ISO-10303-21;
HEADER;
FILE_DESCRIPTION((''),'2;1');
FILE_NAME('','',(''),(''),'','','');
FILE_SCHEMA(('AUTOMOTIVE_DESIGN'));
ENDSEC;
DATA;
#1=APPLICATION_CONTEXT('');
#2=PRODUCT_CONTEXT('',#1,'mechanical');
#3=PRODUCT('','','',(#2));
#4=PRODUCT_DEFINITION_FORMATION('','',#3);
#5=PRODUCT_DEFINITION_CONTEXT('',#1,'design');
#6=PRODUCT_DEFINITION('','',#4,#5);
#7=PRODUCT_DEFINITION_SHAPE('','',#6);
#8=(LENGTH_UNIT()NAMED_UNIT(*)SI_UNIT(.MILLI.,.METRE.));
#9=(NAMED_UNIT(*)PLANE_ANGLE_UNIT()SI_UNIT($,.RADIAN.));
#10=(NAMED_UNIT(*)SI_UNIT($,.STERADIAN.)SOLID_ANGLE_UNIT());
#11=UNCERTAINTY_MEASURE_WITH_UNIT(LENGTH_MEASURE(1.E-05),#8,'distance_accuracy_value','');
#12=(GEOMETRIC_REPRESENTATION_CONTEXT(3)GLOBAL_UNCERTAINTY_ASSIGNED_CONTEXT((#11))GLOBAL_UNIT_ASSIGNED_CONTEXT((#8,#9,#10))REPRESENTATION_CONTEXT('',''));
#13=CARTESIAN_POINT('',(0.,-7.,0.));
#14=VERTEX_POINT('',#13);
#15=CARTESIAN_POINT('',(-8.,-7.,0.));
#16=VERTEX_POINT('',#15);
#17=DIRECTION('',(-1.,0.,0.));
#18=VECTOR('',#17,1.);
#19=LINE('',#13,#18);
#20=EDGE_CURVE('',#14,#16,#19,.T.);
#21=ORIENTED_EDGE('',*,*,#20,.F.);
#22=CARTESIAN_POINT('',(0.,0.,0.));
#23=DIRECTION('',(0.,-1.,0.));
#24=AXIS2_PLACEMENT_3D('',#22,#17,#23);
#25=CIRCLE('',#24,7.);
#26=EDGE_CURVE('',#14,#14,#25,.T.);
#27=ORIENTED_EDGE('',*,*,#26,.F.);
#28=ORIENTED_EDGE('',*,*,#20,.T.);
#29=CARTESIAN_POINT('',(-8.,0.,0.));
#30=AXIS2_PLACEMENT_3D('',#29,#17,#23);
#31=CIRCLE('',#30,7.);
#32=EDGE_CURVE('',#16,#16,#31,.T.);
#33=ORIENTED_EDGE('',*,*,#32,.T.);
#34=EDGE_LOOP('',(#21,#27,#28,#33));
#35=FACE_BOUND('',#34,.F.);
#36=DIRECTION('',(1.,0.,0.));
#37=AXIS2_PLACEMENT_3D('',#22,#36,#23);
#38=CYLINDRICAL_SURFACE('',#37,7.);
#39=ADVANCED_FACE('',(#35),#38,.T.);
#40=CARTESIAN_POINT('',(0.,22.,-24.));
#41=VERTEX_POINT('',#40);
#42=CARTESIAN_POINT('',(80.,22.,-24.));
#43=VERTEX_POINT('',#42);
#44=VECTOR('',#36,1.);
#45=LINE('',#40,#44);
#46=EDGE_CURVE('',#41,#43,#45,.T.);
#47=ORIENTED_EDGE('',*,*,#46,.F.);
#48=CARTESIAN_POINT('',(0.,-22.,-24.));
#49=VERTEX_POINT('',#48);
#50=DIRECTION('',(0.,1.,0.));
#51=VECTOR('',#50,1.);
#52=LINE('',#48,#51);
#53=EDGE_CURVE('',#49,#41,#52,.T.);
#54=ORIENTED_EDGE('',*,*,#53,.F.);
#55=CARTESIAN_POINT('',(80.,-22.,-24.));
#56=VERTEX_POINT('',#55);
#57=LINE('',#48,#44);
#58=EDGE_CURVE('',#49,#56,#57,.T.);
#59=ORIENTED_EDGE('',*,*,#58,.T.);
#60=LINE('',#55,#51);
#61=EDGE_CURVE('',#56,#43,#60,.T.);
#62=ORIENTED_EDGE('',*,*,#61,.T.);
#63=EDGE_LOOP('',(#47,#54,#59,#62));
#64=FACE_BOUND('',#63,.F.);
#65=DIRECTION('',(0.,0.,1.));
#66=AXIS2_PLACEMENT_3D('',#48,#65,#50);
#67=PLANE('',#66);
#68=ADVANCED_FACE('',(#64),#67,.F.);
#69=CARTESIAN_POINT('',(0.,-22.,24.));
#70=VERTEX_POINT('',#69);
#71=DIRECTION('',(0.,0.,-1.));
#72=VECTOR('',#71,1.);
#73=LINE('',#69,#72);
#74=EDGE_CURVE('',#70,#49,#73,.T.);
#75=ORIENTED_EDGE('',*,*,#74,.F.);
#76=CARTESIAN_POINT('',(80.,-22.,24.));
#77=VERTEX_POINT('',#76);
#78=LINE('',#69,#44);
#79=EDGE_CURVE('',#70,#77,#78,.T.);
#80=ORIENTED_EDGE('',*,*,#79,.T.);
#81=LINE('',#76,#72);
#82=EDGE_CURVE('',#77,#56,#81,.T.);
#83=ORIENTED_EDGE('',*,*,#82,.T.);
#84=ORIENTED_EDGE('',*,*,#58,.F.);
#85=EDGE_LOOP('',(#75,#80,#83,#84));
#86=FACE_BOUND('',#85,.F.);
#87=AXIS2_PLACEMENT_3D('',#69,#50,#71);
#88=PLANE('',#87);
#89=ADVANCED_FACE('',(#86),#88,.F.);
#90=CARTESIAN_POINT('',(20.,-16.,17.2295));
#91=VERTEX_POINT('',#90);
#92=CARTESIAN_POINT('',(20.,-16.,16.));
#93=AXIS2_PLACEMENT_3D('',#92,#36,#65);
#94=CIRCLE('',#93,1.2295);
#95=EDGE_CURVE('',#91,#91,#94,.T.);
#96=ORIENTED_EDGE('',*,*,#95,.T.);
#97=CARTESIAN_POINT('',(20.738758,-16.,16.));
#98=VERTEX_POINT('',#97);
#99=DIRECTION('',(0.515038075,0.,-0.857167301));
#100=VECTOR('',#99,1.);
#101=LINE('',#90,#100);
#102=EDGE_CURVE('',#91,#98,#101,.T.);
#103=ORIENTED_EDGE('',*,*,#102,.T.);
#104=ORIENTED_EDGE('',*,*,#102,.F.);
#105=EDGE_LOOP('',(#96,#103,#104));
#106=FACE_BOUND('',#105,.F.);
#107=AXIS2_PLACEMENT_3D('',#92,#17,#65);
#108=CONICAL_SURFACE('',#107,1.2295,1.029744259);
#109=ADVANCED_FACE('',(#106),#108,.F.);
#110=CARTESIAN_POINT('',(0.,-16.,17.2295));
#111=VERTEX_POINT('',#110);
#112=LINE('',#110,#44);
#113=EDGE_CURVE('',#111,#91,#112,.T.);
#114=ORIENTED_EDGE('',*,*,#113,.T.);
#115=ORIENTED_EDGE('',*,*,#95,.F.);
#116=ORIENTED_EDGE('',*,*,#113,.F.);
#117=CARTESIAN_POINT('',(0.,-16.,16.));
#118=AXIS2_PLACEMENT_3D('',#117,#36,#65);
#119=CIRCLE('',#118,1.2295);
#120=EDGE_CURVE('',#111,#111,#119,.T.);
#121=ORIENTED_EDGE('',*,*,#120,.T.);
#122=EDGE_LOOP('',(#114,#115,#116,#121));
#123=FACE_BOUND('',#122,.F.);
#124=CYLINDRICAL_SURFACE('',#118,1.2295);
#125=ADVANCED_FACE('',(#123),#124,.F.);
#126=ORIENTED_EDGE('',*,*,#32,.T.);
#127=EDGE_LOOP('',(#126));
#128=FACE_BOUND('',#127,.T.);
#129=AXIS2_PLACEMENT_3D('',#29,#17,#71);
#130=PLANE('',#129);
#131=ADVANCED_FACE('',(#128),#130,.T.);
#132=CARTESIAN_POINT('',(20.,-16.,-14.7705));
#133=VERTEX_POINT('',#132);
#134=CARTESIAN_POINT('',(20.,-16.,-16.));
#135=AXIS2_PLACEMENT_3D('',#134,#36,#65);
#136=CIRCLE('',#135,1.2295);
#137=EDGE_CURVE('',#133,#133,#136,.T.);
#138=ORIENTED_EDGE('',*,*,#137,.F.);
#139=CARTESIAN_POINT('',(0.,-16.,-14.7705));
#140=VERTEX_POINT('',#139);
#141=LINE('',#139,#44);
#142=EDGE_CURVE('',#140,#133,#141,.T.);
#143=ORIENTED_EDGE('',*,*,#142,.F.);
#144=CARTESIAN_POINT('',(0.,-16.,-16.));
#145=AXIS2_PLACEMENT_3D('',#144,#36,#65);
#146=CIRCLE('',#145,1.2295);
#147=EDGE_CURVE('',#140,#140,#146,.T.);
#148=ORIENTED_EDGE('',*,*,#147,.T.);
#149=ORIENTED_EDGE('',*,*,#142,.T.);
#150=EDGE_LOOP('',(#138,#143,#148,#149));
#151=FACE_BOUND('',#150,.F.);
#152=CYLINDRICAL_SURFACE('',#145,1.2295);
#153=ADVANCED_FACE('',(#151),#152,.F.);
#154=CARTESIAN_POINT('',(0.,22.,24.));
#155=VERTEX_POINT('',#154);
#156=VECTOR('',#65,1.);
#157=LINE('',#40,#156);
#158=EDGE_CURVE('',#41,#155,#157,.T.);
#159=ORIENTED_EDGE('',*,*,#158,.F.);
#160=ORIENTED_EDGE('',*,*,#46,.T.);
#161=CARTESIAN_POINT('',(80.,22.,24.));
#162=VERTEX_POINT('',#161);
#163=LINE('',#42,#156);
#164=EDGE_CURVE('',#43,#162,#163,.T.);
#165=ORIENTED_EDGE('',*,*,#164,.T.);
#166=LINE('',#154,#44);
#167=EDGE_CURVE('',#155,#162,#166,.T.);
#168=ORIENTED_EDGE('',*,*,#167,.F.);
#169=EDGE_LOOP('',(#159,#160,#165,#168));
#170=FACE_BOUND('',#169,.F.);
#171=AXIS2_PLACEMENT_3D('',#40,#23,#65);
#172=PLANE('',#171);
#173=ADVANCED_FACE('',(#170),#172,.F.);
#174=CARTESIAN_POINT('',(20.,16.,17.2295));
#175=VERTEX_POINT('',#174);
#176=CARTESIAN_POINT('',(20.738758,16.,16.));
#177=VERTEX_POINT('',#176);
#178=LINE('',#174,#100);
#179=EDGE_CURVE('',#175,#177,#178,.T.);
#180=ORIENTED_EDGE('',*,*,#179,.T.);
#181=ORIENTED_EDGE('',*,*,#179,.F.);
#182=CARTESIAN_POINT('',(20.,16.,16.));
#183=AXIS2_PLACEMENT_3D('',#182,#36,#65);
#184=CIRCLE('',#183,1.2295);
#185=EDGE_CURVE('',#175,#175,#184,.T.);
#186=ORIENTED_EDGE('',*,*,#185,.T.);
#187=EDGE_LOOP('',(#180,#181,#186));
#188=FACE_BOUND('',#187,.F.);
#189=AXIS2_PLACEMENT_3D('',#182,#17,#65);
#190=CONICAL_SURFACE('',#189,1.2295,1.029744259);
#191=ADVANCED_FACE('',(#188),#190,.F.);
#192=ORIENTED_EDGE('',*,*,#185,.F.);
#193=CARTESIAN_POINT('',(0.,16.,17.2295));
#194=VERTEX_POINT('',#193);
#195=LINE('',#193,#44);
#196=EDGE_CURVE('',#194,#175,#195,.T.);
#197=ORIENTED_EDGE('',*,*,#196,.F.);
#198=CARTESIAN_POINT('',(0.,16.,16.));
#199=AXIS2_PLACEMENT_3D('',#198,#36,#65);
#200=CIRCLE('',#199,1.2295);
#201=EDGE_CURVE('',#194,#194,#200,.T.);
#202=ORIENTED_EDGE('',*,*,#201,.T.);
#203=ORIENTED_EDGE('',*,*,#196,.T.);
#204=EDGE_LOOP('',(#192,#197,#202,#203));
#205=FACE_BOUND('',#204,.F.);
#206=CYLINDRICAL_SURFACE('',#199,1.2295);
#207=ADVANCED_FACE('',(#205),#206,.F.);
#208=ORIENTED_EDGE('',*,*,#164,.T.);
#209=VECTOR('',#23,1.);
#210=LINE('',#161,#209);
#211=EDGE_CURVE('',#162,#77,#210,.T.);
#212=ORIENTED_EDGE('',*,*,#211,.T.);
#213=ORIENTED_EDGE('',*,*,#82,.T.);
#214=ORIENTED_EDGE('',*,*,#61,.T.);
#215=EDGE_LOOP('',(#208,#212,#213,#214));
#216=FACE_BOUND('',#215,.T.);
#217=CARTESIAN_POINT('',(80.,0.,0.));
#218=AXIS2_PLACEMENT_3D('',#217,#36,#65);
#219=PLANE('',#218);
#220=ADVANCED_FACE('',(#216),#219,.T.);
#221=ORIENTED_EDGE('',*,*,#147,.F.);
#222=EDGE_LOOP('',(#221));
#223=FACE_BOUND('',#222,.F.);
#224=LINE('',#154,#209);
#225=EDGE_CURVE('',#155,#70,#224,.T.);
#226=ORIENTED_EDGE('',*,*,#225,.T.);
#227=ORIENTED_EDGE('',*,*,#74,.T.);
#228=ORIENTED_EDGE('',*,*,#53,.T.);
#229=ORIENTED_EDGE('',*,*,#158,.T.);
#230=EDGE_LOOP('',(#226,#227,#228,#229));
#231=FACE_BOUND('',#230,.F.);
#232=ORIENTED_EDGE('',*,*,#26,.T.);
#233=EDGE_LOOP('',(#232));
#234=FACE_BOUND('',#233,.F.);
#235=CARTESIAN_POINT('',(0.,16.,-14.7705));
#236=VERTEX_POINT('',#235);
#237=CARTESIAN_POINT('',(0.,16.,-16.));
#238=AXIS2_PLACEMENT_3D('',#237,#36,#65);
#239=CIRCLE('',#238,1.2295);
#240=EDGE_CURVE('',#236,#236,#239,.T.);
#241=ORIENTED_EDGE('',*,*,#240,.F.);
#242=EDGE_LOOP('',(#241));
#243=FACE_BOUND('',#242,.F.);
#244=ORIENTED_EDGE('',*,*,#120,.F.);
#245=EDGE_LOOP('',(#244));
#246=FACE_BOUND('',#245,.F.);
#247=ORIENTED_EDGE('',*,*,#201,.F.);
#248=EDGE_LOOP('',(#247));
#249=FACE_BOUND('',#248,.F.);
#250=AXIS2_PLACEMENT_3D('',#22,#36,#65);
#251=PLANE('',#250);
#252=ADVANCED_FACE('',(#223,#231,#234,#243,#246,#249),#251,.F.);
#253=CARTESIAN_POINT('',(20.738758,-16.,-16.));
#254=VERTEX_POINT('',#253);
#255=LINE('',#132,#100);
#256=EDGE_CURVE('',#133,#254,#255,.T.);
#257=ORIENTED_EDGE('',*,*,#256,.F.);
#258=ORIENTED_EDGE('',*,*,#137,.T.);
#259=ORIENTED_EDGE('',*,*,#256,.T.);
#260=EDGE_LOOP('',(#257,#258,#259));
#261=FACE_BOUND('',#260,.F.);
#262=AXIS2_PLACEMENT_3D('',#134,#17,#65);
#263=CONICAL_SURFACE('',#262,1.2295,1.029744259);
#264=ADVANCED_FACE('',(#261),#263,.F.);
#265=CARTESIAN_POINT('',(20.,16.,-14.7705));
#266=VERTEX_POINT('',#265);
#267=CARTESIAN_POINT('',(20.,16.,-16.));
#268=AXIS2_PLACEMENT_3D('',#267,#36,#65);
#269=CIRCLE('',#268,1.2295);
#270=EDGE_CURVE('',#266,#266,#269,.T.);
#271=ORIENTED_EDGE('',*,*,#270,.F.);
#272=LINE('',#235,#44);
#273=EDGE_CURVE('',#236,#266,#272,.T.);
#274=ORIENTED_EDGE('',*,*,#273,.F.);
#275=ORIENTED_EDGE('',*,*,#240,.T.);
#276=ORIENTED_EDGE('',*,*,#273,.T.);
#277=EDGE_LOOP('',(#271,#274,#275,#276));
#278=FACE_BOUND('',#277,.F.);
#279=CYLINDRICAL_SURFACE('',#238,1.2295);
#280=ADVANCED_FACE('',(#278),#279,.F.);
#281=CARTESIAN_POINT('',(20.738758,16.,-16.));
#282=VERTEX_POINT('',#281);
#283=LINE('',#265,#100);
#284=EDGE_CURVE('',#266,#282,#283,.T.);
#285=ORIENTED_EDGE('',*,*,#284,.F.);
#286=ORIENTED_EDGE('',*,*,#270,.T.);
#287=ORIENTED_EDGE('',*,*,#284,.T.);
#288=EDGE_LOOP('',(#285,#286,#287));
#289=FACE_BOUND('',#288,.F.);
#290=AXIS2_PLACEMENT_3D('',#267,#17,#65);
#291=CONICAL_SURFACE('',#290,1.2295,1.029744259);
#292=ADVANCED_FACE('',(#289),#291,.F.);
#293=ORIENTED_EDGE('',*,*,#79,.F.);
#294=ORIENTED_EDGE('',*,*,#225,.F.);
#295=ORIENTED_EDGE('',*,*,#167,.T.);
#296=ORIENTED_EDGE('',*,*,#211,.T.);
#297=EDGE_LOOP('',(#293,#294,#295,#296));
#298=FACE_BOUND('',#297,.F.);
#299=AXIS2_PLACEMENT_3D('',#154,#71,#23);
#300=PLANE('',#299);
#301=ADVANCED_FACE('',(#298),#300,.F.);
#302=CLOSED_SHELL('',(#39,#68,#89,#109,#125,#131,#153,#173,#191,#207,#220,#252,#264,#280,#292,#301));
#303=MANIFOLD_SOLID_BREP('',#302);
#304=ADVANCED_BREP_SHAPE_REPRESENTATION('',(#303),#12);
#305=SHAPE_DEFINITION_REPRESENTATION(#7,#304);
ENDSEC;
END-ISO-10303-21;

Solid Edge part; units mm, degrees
sketch "Sketch1" plane through (0, 0, 0) normal (1, 0, 0) x (0, 1, 0)
  line L0 (22, 24) -> (-22, 24)
  line L1 (-22, 24) -> (-22, -24)
  line L2 (-22, -24) -> (22, -24)
  line L3 (22, -24) -> (22, 24)
extrude "Extrusionsausprägung_20" add sketch "Sketch1" along normal blind 80
sketch "Sketch2" plane through (0, 0, 0) normal (-1, 0, 0) x (0, -1, 0)
  circle A0 centre (0, 0) radius 7
extrude "Extrusionsausprägung_22" add sketch "Sketch2" along normal blind 8
hole "Bohrung_4" at (0, 16, 16) direction (1, 0, 0) diameter 2.459 depth 20 tip angle 118 thread major 3 thread length 15
hole "Hole1" at (0, -16, 16) direction (1, 0, 0) diameter 2.459 depth 20 tip angle 118 thread major 3 thread length 15
hole "Hole2" at (0, -16, -16) direction (1, 0, 0) diameter 2.459 depth 20 tip angle 118 thread major 3 thread length 15
hole "Hole3" at (0, 16, -16) direction (1, 0, 0) diameter 2.459 depth 20 tip angle 118 thread major 3 thread length 15
